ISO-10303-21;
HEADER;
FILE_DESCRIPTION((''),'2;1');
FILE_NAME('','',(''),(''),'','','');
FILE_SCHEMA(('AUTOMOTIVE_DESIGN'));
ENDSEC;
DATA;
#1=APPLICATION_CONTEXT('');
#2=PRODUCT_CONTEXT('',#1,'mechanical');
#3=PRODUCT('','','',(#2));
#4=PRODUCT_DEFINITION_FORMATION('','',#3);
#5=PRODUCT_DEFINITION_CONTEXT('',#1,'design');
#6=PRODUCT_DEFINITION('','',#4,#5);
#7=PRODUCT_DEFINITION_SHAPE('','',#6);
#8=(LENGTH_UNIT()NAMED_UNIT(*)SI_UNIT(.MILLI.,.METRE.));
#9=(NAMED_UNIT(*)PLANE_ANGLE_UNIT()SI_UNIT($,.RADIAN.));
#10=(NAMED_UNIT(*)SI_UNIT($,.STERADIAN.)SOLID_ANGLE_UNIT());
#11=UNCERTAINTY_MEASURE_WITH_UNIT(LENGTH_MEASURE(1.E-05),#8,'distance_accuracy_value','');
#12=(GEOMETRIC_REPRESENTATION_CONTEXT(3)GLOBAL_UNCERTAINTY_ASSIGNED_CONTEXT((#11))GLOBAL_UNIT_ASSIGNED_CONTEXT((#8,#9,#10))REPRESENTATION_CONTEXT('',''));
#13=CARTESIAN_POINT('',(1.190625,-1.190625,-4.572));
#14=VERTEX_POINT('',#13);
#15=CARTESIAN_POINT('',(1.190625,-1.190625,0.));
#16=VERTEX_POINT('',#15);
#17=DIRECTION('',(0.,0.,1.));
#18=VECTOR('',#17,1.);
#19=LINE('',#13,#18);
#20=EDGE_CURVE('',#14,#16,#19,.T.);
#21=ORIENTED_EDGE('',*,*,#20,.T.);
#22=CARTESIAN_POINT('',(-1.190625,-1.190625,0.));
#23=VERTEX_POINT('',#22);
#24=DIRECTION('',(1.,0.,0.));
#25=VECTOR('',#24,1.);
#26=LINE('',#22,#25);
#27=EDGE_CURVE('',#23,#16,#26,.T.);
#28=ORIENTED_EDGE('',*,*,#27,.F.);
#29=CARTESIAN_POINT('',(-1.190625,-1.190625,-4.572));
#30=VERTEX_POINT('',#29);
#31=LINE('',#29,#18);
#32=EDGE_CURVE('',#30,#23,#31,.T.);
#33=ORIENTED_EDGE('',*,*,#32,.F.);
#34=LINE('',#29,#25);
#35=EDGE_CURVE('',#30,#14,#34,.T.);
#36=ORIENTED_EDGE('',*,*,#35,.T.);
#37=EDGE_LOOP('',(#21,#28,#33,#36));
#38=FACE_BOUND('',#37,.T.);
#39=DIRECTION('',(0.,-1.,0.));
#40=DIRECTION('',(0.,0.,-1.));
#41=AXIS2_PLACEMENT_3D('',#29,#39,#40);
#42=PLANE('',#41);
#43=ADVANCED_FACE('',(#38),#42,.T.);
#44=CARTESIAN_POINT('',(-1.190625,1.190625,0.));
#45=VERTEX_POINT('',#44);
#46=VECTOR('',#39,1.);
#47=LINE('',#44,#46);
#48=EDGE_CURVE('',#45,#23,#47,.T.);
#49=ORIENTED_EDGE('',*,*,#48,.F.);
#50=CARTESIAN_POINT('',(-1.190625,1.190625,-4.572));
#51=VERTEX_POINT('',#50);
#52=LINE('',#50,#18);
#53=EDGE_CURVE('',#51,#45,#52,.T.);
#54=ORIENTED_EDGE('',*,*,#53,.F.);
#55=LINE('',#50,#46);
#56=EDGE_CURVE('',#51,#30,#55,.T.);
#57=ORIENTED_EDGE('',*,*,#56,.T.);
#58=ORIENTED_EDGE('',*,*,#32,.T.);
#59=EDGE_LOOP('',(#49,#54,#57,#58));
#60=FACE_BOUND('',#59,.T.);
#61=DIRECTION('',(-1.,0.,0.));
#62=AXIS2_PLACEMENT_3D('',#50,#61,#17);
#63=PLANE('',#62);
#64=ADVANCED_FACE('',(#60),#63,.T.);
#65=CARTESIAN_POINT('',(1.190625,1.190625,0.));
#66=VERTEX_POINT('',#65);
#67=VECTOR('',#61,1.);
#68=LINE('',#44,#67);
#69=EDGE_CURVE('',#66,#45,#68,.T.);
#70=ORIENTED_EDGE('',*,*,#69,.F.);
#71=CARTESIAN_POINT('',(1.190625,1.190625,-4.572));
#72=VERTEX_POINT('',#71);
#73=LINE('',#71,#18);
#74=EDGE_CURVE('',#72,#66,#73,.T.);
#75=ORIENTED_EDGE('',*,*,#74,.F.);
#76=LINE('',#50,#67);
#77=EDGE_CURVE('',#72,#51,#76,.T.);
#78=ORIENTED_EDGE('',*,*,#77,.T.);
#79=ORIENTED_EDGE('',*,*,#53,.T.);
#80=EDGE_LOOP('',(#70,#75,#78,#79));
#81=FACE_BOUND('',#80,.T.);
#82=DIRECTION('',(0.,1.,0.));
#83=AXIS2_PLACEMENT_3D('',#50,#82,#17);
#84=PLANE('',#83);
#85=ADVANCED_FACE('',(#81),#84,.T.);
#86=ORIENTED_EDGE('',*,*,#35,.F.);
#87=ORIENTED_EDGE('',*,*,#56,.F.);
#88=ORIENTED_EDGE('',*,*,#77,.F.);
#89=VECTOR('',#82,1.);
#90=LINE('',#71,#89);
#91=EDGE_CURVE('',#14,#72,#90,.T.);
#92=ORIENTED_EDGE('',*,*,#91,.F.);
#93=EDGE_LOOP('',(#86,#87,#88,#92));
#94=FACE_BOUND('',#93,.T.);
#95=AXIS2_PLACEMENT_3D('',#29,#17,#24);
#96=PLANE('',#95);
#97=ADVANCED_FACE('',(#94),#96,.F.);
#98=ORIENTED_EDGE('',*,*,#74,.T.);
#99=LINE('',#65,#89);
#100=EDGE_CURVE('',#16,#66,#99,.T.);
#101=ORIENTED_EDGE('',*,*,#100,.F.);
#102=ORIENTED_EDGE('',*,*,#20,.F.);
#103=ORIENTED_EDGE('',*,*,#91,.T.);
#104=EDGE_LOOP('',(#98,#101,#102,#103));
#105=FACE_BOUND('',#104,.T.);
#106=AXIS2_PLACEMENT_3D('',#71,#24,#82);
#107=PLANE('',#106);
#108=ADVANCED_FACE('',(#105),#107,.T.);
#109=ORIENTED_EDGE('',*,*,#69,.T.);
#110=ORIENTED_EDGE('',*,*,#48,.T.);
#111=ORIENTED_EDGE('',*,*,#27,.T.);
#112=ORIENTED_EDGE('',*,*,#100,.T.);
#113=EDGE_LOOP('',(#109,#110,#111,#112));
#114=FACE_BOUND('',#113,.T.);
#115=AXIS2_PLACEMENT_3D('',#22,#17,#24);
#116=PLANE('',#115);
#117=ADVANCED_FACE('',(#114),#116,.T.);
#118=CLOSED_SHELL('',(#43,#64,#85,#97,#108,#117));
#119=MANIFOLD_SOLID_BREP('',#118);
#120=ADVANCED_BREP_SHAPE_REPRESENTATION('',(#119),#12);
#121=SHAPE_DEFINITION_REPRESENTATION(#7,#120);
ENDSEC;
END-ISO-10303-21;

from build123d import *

# Parameters (mm, degrees)
SKETCH1_W      = 2.38125
SKETCH1_H      = 2.38125
EXTRUDE1_DEPTH = 4.572


with BuildPart() as part:
    # Sketch1 → Extrude1 (new body)
    with BuildSketch(Plane.XY):
        Rectangle(SKETCH1_W, SKETCH1_H)
    extrude(amount=-EXTRUDE1_DEPTH)


solid = part.part
